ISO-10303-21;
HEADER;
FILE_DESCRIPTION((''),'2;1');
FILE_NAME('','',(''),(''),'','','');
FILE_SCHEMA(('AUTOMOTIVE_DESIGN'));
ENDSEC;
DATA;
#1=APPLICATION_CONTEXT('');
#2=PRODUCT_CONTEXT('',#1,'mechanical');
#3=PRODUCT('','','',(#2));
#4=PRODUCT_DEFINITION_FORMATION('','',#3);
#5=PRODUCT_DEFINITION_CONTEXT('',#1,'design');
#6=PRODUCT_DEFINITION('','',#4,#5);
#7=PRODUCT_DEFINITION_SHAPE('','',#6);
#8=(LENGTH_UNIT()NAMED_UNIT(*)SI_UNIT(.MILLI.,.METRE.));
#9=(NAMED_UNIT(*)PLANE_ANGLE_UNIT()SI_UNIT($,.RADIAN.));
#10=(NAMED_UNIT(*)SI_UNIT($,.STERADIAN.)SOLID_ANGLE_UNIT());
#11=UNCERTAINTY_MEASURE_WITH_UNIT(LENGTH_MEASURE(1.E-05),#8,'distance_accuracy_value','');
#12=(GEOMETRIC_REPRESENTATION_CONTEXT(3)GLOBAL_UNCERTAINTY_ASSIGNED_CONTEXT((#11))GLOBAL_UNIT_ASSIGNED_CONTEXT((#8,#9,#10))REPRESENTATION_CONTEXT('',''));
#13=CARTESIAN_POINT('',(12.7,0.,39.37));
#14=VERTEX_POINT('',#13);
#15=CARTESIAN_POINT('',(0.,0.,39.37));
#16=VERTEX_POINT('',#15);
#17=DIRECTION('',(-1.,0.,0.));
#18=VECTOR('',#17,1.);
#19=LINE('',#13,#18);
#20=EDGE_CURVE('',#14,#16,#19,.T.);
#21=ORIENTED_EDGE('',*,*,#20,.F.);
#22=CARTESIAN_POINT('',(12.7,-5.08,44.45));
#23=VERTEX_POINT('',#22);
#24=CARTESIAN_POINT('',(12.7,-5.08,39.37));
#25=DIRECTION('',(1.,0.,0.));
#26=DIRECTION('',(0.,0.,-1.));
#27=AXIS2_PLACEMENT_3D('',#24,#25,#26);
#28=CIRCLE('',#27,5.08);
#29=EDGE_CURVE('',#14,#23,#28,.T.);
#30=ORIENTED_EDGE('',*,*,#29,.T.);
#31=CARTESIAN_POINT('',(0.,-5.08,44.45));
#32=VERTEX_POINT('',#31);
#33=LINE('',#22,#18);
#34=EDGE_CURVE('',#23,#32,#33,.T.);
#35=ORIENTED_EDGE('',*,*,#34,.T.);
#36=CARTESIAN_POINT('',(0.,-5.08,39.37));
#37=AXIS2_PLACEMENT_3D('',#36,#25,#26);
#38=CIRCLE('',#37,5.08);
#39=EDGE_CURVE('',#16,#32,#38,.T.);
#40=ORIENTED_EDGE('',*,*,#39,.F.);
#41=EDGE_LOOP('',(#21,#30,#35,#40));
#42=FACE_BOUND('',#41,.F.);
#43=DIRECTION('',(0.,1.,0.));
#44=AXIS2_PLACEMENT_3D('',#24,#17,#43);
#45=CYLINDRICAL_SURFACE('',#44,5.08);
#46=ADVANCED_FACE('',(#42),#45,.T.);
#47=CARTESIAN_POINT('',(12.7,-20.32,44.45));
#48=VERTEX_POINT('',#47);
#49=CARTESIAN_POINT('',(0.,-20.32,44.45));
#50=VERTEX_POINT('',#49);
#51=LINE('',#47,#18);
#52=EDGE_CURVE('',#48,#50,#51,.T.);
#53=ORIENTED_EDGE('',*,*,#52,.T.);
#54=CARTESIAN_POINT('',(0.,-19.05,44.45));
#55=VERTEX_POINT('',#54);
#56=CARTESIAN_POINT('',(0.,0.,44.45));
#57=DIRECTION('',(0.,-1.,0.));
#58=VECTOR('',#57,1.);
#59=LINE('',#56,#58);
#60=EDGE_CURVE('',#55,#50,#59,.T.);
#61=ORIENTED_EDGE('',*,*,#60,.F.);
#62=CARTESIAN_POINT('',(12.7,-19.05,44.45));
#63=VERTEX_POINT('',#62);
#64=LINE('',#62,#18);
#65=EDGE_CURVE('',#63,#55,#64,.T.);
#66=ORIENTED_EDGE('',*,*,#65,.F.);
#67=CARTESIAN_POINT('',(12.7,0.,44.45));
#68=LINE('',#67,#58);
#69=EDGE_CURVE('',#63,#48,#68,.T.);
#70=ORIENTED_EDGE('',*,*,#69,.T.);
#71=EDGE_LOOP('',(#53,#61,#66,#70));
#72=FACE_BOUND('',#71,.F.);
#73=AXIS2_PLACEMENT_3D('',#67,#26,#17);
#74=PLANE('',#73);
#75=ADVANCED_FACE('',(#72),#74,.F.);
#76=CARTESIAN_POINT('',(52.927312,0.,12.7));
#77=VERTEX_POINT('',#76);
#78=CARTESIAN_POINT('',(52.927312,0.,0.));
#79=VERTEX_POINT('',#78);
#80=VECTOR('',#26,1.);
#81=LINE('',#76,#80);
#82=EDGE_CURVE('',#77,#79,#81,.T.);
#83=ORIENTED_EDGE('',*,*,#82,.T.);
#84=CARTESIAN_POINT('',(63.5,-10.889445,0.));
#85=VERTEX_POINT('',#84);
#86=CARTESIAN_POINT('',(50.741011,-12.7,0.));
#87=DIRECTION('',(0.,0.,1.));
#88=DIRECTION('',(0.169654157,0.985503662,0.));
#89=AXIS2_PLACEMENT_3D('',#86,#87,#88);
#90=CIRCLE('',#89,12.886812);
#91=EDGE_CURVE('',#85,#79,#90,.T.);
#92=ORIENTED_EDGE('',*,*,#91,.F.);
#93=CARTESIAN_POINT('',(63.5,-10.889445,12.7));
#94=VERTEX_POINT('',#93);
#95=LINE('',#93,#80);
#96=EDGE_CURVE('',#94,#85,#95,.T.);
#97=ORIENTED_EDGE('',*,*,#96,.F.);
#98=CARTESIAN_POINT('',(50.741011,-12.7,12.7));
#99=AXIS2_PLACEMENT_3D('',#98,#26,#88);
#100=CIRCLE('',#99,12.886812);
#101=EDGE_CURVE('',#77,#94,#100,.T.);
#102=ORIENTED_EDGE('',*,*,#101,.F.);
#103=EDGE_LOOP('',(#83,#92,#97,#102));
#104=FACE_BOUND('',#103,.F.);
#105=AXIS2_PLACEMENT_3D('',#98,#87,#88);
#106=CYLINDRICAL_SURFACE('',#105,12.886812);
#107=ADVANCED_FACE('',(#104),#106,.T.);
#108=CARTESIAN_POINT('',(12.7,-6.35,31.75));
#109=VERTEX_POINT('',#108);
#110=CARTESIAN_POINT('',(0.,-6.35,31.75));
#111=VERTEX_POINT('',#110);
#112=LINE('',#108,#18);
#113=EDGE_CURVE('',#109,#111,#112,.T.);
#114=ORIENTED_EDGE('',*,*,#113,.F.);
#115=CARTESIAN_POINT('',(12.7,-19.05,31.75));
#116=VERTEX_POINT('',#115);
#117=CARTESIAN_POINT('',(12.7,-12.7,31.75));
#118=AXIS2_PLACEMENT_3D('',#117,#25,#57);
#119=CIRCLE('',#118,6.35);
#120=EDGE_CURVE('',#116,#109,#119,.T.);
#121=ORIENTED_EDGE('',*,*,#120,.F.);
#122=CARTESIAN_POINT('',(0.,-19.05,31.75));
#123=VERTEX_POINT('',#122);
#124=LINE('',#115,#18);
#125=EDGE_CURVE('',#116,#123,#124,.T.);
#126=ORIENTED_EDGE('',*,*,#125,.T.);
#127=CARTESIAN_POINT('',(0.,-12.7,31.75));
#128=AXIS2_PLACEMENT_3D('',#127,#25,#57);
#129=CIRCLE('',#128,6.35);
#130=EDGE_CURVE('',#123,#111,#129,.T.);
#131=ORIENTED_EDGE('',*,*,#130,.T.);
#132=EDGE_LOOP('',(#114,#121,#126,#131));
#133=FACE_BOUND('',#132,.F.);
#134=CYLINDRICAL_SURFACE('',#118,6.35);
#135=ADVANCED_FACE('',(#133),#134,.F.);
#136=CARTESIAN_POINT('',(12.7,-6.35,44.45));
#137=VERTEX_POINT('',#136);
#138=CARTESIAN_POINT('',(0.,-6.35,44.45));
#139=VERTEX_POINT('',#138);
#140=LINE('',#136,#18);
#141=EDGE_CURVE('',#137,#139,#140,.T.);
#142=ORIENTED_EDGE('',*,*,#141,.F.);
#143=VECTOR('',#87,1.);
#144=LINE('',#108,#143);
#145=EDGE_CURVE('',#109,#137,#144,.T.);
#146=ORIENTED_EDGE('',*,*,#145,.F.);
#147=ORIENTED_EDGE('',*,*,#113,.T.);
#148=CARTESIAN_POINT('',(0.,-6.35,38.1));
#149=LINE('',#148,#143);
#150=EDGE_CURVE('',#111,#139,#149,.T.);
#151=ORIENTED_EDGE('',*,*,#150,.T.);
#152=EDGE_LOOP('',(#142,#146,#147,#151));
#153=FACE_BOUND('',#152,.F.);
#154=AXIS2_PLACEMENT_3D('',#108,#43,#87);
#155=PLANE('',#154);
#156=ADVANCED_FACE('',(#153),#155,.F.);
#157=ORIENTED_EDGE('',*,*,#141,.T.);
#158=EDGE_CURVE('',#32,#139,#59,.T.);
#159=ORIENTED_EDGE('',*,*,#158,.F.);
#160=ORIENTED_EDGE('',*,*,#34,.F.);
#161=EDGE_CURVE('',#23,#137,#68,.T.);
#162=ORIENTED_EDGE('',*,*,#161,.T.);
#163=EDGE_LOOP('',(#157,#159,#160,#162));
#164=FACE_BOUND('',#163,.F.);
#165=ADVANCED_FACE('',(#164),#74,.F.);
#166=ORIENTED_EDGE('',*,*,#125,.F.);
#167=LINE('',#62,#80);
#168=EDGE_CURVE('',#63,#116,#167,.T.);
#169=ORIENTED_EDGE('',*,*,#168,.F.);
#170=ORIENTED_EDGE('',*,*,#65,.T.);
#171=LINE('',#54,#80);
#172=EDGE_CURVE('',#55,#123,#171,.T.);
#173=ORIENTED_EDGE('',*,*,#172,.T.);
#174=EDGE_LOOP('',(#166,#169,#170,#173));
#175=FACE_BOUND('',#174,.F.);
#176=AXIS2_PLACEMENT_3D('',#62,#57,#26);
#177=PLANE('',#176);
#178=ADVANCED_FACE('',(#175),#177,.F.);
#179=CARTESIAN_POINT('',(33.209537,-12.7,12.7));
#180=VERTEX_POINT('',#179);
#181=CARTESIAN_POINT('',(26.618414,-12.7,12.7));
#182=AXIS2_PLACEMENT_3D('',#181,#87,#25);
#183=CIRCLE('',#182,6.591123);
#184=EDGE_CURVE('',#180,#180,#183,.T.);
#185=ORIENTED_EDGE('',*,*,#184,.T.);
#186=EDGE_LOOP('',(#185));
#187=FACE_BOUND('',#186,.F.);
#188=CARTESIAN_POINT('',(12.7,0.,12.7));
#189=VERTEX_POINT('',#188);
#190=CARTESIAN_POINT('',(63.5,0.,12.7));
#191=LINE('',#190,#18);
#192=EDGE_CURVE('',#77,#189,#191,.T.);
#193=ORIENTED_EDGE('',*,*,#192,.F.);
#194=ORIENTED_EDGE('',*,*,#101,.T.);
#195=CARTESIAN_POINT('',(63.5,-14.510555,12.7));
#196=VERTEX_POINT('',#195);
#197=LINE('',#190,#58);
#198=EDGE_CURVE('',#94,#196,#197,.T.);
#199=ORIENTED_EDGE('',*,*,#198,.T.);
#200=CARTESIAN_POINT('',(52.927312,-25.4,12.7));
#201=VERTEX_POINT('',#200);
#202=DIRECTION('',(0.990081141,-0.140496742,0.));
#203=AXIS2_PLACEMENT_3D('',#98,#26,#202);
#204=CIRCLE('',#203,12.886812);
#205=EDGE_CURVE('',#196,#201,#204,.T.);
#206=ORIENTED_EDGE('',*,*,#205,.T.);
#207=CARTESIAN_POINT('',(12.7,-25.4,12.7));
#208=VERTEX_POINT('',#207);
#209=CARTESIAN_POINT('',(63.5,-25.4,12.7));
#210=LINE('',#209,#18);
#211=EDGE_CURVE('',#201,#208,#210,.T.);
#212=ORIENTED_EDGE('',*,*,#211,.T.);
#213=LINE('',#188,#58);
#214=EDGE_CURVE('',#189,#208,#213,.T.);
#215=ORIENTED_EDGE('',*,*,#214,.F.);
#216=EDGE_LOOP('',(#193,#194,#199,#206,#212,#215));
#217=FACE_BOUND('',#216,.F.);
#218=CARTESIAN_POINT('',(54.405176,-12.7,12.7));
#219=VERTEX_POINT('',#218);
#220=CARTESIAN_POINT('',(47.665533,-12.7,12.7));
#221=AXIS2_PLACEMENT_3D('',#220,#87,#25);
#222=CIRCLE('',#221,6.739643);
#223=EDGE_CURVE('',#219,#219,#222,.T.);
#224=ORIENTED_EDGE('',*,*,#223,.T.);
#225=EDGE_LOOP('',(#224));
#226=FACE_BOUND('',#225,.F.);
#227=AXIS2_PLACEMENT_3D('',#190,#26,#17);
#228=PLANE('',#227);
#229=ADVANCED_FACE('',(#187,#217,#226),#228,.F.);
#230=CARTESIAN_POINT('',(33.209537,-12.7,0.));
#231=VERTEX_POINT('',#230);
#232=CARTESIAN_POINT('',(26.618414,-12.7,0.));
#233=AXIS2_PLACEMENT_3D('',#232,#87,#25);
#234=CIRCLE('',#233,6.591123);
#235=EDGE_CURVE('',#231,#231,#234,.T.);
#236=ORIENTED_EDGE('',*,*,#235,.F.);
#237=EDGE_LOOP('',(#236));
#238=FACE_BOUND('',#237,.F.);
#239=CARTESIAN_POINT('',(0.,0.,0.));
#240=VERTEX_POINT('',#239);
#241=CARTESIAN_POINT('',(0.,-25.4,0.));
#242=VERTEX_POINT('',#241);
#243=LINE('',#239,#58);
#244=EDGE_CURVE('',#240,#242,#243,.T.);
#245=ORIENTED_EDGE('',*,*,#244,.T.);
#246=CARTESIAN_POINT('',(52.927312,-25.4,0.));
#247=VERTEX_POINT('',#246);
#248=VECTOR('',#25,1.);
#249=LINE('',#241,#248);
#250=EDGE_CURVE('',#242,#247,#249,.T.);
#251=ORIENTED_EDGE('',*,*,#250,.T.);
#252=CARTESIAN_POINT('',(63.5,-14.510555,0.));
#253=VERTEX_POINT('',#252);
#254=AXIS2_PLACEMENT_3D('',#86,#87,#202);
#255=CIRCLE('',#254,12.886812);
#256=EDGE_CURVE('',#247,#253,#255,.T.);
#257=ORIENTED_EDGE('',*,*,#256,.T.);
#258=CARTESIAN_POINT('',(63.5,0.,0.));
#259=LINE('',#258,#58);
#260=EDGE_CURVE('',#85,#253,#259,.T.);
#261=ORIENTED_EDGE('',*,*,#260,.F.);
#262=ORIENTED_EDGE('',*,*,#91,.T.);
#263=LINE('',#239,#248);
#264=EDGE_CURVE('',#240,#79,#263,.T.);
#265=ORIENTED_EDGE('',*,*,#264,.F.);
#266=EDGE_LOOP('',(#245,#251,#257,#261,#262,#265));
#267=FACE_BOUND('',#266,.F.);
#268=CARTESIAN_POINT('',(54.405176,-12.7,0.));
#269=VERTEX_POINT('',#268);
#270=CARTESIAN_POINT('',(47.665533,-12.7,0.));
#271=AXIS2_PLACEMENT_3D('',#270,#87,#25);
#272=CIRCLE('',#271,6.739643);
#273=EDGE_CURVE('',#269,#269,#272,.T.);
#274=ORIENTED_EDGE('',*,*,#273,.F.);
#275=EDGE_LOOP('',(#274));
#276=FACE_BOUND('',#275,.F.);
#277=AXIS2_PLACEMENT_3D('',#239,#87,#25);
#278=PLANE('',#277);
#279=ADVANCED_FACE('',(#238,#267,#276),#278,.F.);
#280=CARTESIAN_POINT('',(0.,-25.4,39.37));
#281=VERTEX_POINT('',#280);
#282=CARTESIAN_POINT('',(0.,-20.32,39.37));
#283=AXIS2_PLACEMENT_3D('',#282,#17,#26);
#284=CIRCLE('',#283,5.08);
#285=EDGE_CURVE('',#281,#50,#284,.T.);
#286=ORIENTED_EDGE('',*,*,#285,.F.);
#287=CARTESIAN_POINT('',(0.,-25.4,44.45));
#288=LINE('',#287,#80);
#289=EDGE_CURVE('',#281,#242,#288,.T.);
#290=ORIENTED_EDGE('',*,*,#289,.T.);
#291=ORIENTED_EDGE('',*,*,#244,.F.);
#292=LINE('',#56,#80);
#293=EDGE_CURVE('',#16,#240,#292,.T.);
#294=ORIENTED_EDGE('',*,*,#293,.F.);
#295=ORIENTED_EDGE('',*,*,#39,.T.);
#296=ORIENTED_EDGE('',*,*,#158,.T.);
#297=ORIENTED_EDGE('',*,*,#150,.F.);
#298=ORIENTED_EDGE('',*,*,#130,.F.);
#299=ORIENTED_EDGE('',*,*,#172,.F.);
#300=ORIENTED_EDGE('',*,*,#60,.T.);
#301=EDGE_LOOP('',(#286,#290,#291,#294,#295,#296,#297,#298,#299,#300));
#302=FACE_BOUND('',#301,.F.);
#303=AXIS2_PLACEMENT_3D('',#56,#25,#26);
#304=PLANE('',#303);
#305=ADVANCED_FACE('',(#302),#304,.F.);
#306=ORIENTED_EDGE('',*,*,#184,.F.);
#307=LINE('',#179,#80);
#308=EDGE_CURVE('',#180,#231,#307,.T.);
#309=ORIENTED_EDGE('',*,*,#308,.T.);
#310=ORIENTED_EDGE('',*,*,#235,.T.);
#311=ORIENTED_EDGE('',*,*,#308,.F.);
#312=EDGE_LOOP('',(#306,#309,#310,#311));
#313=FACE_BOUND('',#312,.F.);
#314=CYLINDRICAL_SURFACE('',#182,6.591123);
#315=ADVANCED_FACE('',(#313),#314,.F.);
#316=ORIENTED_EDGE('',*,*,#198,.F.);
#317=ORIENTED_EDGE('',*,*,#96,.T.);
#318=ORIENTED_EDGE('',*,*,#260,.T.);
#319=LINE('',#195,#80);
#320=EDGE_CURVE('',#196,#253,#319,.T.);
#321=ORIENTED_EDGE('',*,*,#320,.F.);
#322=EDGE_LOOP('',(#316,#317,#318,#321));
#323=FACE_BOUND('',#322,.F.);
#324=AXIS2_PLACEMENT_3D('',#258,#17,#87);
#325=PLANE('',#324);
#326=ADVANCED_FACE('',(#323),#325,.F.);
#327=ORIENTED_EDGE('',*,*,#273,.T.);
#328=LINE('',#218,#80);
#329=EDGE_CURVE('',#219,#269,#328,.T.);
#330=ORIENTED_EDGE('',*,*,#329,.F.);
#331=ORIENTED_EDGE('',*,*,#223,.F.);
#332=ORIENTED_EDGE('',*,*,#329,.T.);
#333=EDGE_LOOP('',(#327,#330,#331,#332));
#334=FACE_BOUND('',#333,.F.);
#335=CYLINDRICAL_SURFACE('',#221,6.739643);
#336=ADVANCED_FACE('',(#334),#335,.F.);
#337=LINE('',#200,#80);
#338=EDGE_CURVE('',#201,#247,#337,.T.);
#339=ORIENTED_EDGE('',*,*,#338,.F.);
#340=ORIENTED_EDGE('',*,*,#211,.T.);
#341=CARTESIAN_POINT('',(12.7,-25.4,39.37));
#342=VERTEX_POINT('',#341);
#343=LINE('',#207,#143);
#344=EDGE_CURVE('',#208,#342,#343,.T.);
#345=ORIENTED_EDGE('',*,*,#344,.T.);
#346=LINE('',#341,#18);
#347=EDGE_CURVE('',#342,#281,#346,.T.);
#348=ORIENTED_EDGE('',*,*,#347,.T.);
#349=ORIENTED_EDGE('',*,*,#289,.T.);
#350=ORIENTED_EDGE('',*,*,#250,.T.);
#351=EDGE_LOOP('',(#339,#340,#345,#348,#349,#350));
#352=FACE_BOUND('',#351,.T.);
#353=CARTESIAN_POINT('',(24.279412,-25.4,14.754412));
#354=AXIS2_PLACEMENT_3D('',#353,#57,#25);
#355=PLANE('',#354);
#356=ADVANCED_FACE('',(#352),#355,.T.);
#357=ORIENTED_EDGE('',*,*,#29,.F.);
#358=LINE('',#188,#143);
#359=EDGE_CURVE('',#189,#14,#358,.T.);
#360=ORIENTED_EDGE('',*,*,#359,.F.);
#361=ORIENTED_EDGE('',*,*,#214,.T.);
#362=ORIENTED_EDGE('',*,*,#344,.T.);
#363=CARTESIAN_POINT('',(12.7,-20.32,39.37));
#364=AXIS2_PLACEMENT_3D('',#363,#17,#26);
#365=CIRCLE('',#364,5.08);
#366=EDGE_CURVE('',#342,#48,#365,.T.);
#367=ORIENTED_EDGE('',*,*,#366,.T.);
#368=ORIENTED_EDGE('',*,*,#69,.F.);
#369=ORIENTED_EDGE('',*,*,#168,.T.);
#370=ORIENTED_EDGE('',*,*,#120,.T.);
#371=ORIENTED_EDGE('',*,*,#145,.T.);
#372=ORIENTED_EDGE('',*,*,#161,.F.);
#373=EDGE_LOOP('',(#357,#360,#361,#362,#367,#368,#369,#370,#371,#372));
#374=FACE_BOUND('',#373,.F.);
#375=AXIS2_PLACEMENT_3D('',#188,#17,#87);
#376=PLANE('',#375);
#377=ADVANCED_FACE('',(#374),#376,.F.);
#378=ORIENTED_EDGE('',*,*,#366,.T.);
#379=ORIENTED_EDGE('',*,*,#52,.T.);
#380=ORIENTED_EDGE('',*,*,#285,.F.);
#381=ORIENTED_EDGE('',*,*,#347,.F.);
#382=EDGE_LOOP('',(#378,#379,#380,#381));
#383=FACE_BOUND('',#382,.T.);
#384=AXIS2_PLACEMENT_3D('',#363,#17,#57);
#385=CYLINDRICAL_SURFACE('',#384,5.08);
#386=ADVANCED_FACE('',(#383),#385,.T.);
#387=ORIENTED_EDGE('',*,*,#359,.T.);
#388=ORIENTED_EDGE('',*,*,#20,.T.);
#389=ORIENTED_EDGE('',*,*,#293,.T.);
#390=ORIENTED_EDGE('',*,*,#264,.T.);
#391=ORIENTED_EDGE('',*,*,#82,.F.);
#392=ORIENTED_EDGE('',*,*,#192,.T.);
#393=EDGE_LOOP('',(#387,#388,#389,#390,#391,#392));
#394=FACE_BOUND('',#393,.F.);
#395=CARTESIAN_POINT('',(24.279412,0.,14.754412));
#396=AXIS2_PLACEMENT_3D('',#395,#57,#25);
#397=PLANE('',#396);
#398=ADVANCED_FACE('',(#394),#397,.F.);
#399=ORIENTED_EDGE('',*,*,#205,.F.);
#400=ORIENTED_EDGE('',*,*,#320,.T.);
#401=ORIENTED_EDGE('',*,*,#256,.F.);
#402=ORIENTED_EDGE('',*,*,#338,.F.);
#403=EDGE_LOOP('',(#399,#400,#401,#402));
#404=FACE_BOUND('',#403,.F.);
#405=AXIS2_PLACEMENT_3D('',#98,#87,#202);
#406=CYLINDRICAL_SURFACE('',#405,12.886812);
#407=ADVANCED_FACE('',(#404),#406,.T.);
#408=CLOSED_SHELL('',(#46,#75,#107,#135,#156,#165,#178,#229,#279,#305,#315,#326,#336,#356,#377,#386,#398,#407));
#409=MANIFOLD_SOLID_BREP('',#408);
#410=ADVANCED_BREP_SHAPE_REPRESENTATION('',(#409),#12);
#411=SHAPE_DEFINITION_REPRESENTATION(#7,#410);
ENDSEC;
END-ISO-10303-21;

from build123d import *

# Parameters (mm, degrees)
F1_DEPTH = 25.4
F3_DEPTH = 25.4
F4_R     = 6.591123
F4_R_2   = 6.739643
F5_DEPTH = 25.4
F7_DEPTH = 25.4
F8_R     = 5.08
F9_R     = 5.08


with BuildPart() as f1:
    # F0 (on Front) → F1 (new body)
    with BuildSketch(Plane.XZ):
        Polygon((12.7, 44.45), (0, 44.45), (0, 0), (63.5, 0), (63.5, 12.7), (12.7, 12.7), align=None)
    extrude(amount=F1_DEPTH)

    # F2 (on face) → F3 (cut)
    with BuildSketch(Plane.XY.offset(12.7)):
        with BuildLine():
            ThreePointArc((63.5, -14.510555), (59.986844, -21.676886), (52.927312, -25.4))
            Line((52.927312, -25.4), (63.5, -25.4))
            Line((63.5, -25.4), (63.5, -14.510555))
        make_face()
        with BuildLine():
            ThreePointArc((52.927312, 0), (59.986844, -3.723114), (63.5, -10.889445))
            Line((63.5, -10.889445), (63.5, 0))
            Line((63.5, 0), (52.927312, 0))
        make_face()
    extrude(amount=-F3_DEPTH, mode=Mode.SUBTRACT)

    # F4 (on face) → F5 (cut)
    with BuildSketch(Plane.XY.offset(12.7)):
        with Locations((26.618414, -12.7)):
            Circle(F4_R)
        with Locations((47.665533, -12.7)):
            Circle(F4_R_2)
    extrude(amount=-F5_DEPTH, mode=Mode.SUBTRACT)

    # F6 (on face) → F7 (cut)
    with BuildSketch(Plane.YZ.offset(12.7)):
        with BuildLine():
            ThreePointArc((-19.05, 31.75), (-12.7, 25.4), (-6.35, 31.75))
            Line((-6.35, 31.75), (-6.35, 44.45))
            Line((-6.35, 44.45), (-19.05, 44.45))
            Line((-19.05, 44.45), (-19.05, 31.75))
        make_face()
    extrude(amount=-F7_DEPTH, mode=Mode.SUBTRACT)

    # F8
    f8_edges = [f1.edges().sort_by_distance(p)[0] for p in [
        (6.35, -25.4, 44.45),
    ]]
    fillet(f8_edges, radius=F8_R)

    # F9
    f9_edges = [f1.edges().sort_by_distance(p)[0] for p in [
        (6.35, 0, 44.45),
    ]]
    fillet(f9_edges, radius=F9_R)


solid = f1.part
